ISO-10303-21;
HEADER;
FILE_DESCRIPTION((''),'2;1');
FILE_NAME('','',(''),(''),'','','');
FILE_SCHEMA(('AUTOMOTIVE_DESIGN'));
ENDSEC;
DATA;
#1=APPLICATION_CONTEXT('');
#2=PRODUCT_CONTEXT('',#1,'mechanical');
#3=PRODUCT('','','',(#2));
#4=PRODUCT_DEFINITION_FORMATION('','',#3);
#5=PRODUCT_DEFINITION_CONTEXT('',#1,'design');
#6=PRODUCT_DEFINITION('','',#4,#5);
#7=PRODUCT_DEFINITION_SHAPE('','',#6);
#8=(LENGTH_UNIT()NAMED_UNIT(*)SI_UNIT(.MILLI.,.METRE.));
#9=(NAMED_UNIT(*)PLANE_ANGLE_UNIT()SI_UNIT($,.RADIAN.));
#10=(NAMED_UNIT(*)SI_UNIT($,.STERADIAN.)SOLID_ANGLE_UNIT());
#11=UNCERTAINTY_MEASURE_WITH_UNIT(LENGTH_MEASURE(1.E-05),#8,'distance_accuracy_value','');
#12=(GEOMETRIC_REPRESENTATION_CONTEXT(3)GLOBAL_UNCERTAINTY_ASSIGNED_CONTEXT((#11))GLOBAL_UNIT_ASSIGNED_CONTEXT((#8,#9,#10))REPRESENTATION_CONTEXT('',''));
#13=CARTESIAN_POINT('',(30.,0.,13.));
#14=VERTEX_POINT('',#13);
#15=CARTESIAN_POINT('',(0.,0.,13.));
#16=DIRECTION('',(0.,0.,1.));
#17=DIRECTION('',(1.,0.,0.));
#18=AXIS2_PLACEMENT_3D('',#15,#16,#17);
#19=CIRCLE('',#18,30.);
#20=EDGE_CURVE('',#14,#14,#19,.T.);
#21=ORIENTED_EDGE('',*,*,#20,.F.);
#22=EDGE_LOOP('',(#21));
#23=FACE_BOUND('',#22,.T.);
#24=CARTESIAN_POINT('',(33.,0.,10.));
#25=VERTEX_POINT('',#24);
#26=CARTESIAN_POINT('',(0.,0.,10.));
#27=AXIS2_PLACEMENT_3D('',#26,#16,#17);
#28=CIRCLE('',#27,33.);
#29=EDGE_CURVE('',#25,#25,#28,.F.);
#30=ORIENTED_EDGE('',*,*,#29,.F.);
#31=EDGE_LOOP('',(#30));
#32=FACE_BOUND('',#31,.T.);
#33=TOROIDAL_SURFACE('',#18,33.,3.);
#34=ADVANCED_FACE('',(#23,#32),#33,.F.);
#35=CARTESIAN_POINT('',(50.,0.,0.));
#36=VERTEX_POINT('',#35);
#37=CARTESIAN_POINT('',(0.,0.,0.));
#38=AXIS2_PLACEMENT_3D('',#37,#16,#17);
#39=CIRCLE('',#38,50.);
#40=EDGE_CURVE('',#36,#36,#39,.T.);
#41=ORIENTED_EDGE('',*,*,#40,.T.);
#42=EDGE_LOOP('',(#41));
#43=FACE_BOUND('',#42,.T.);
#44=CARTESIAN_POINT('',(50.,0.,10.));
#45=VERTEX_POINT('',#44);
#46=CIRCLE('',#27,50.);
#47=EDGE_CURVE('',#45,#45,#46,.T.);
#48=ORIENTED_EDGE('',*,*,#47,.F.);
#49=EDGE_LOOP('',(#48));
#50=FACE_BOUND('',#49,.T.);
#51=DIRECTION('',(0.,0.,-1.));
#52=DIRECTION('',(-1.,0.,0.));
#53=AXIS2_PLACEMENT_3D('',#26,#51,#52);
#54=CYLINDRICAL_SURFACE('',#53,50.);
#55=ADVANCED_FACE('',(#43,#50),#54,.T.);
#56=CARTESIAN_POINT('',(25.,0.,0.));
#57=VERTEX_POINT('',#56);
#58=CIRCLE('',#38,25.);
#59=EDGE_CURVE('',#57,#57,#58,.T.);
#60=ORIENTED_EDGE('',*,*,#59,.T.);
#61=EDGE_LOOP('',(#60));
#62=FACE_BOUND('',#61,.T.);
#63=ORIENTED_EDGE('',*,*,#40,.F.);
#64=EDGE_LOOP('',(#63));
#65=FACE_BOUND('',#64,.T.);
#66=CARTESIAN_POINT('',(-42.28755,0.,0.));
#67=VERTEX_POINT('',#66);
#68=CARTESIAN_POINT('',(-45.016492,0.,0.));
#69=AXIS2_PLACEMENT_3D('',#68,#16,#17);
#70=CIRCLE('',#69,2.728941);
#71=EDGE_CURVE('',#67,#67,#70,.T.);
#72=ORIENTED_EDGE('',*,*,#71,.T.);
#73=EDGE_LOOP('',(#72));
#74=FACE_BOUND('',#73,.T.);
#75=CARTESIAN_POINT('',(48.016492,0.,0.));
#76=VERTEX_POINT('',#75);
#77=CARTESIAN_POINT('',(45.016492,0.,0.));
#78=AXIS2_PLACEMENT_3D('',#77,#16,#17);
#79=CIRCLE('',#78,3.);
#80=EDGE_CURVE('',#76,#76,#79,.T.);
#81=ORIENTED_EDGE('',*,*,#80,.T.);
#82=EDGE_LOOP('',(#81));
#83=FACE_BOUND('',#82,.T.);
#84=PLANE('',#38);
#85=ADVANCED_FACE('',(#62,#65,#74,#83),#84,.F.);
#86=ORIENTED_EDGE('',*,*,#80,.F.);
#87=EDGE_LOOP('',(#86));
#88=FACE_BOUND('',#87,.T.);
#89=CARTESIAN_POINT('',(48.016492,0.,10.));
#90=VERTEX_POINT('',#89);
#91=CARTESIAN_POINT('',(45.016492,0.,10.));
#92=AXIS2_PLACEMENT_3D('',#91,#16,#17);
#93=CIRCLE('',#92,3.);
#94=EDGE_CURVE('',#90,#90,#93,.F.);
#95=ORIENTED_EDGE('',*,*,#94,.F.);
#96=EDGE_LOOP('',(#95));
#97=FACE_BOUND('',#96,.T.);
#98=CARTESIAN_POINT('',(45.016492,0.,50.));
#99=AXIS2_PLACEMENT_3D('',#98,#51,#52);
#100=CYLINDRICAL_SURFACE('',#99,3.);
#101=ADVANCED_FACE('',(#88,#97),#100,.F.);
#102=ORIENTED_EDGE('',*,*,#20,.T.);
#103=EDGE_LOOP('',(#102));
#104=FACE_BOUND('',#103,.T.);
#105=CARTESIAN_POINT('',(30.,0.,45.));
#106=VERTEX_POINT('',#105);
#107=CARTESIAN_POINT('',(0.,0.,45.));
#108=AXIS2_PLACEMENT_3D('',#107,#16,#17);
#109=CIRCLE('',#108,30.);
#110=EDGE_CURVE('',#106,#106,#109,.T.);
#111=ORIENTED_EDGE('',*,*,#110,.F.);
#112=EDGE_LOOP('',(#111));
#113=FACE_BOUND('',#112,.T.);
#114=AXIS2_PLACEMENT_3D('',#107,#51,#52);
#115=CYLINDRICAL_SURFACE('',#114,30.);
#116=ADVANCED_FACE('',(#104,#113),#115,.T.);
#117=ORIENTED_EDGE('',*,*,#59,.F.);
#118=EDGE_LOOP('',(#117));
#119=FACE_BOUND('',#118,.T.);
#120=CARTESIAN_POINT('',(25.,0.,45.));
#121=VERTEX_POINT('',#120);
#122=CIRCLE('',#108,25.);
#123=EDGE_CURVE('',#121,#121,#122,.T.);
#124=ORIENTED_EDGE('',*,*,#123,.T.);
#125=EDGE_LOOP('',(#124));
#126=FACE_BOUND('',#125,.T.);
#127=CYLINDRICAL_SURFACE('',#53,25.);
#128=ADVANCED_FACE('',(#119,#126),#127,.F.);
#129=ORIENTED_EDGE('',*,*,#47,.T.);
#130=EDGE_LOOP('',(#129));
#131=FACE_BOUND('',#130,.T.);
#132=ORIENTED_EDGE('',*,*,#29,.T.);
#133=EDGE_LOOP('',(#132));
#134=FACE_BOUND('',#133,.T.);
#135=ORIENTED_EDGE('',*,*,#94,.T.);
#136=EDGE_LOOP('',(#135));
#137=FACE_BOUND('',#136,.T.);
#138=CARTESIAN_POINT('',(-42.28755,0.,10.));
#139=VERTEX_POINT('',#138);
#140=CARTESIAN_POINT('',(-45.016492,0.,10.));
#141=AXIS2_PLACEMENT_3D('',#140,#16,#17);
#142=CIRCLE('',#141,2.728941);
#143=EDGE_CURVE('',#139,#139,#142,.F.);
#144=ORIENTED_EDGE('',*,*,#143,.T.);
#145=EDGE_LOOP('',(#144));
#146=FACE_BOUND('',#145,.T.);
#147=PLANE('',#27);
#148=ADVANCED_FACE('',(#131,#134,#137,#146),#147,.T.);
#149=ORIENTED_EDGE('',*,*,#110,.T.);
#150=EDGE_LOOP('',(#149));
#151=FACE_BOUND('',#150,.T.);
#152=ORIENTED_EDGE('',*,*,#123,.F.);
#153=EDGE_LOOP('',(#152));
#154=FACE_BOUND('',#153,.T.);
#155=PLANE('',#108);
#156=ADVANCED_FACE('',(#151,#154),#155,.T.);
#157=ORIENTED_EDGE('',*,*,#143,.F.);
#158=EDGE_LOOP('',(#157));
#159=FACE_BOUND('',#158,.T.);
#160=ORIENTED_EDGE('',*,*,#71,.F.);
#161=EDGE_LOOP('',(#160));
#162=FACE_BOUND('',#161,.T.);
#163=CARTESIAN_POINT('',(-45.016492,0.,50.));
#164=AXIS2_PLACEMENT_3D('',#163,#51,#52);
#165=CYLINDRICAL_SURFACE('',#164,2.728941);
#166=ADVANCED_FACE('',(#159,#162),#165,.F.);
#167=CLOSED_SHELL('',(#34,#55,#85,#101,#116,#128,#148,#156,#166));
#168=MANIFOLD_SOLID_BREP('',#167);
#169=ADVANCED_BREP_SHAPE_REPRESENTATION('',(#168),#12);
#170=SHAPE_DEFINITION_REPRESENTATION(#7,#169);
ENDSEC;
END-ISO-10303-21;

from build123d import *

# Parameters (mm, degrees)
SKETCH1_R           = 50
SKETCH1_R_2         = 25
BOSS_EXTRUDE1_DEPTH = 10
SKETCH2_R           = 30
SKETCH2_R_2         = 25
BOSS_EXTRUDE2_DEPTH = 45
FILLET1_R           = 3
SKETCH3_R           = 3
SKETCH3_R_2         = 2.728941423
CUT_EXTRUDE1_DEPTH  = 50


with BuildPart() as part:
    # Sketch1 → Boss-Extrude1 (new body)
    with BuildSketch(Plane.XY):
        Circle(SKETCH1_R)
        Circle(SKETCH1_R_2, mode=Mode.SUBTRACT)
    extrude(amount=BOSS_EXTRUDE1_DEPTH)

    # Sketch2 → Boss-Extrude2 (add)
    with BuildSketch(Plane.XY):
        Circle(SKETCH2_R)
        Circle(SKETCH2_R_2, mode=Mode.SUBTRACT)
    extrude(amount=BOSS_EXTRUDE2_DEPTH)

    # Fillet1
    fillet1_edges = [part.edges().sort_by_distance(p)[0] for p in [
        (-30, 0, 10),
    ]]
    fillet(fillet1_edges, radius=FILLET1_R)

    # Sketch3 → Cut-Extrude1 (cut)
    with BuildSketch(Plane.XY):
        with Locations((45.016491683, 0)):
            Circle(SKETCH3_R)
        with Locations((-45.016491683, 0)):
            Circle(SKETCH3_R_2)
    extrude(amount=CUT_EXTRUDE1_DEPTH, mode=Mode.SUBTRACT)


solid = part.part
